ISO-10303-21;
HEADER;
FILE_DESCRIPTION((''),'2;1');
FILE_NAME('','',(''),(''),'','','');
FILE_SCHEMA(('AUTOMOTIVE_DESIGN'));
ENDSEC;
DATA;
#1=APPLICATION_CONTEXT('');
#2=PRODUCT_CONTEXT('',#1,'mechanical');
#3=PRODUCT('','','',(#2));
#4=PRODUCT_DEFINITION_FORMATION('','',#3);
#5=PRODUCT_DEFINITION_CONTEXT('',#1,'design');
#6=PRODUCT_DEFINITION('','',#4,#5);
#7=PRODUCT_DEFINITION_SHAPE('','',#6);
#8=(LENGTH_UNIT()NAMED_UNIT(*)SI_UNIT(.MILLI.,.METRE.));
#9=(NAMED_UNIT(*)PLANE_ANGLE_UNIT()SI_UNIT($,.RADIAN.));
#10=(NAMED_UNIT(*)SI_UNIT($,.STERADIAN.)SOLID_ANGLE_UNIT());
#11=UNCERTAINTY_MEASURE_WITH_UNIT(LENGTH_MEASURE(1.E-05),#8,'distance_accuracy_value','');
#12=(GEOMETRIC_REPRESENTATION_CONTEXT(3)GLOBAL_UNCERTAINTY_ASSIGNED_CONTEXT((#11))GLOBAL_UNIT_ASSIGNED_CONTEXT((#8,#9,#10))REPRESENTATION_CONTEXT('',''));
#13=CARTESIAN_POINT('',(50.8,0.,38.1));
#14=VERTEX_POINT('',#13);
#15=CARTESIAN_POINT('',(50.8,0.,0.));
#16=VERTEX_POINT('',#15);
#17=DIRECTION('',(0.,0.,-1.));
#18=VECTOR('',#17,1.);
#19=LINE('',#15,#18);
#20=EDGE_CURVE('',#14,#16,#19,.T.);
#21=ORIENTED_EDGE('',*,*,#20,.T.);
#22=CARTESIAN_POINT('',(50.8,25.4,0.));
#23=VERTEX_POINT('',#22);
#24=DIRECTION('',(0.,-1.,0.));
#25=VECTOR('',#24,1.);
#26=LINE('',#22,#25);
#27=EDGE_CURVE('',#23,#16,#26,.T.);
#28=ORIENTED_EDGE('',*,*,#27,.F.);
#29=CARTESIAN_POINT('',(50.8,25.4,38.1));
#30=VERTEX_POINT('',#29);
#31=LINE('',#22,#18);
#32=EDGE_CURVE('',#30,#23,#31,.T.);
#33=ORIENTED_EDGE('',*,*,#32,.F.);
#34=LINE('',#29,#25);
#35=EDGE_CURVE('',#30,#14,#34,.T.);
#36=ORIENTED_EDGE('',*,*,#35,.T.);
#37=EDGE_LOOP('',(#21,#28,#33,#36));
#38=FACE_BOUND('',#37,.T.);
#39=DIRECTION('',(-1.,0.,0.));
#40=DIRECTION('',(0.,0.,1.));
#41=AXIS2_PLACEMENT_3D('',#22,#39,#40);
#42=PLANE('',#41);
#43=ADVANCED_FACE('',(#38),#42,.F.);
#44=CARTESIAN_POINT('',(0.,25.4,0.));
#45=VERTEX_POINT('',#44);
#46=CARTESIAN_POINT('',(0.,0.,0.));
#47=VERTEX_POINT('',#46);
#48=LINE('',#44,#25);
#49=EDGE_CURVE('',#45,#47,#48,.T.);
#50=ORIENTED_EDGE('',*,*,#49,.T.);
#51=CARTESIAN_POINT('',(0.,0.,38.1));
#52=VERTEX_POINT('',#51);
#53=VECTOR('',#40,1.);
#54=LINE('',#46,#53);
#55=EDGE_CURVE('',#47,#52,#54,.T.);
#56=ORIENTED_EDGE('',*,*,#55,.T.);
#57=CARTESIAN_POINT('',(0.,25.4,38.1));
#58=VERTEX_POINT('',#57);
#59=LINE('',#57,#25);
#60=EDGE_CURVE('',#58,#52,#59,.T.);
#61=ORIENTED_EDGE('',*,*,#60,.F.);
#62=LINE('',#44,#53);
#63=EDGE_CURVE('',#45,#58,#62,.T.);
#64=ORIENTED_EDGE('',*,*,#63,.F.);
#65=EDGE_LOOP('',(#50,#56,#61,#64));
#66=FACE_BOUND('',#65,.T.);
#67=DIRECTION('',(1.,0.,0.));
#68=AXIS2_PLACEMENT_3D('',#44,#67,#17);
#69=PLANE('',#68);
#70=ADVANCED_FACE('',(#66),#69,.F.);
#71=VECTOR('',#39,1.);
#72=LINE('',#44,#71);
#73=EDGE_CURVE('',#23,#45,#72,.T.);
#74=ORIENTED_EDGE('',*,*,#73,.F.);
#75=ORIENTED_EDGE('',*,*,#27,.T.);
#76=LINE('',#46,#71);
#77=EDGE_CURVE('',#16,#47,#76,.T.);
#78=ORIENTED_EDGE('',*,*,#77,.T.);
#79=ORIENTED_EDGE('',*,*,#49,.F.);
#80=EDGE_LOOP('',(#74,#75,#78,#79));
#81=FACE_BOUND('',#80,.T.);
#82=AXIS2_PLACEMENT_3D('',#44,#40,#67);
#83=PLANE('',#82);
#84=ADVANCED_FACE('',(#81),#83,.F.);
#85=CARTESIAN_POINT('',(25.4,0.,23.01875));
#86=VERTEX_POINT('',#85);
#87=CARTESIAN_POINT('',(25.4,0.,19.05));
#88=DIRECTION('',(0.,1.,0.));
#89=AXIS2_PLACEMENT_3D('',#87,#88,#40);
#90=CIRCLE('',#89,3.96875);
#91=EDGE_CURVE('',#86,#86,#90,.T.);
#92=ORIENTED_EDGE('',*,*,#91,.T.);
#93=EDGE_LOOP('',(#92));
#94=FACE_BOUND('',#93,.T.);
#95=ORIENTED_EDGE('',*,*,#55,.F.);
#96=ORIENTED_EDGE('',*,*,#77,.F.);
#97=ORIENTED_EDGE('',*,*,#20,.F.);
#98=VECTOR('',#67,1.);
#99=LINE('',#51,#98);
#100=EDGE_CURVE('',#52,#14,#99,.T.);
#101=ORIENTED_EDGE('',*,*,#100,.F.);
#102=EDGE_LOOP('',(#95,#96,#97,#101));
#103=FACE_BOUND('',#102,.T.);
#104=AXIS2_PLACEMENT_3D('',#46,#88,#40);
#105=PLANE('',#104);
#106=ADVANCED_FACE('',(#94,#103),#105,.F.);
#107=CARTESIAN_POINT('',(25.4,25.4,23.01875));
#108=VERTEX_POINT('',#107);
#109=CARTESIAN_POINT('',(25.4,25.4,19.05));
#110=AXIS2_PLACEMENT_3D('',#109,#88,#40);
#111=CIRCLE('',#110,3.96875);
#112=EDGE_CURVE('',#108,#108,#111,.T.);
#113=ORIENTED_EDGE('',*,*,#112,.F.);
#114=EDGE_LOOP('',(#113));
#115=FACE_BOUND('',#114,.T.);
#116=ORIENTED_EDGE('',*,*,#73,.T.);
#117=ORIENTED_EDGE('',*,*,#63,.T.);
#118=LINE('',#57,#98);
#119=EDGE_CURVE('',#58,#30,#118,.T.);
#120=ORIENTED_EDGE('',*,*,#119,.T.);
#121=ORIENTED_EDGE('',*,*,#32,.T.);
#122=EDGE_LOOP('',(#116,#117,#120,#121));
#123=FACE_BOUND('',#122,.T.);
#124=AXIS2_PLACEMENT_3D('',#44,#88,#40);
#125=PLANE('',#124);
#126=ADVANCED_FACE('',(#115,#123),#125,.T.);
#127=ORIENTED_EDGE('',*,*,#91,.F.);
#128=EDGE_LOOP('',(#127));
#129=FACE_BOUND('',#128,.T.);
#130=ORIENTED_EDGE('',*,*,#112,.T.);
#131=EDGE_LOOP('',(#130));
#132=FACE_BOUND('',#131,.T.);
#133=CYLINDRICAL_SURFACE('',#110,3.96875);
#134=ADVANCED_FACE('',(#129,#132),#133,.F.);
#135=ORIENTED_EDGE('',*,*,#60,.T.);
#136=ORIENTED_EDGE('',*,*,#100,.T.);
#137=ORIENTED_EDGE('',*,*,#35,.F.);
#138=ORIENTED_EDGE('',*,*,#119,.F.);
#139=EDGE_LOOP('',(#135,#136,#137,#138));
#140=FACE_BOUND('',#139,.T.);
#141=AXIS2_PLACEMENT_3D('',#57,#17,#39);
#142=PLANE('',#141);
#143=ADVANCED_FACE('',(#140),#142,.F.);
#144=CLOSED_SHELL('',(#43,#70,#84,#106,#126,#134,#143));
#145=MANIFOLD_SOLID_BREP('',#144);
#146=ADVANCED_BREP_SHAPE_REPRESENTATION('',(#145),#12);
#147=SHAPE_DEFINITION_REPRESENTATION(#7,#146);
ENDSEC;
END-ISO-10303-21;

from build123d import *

# Parameters (mm, degrees)
SKETCH1_W               = 50.8
SKETCH1_H               = 38.1
BOSS_EXTRUDE1_DEPTH     = 25.4
F_3_8_16_TAPPED_HOLE1_D = 7.9375


with BuildPart() as part:
    # Sketch1 → Boss-Extrude1 (new body)
    with BuildSketch(Plane(origin=(0, 0, 0), x_dir=(1, 0, 0), z_dir=(0, 1, 0))):
        with Locations((25.4, -19.05)):
            Rectangle(SKETCH1_W, SKETCH1_H)
    extrude(amount=BOSS_EXTRUDE1_DEPTH)

    # 3/8-16 Tapped Hole1 (through all)
    with Locations(Plane(origin=(0, 25.4, 0), x_dir=(1, 0, 0), z_dir=(0, 1, 0))):
        with Locations((25.4, -19.05)):
            Hole(F_3_8_16_TAPPED_HOLE1_D / 2)


solid = part.part
